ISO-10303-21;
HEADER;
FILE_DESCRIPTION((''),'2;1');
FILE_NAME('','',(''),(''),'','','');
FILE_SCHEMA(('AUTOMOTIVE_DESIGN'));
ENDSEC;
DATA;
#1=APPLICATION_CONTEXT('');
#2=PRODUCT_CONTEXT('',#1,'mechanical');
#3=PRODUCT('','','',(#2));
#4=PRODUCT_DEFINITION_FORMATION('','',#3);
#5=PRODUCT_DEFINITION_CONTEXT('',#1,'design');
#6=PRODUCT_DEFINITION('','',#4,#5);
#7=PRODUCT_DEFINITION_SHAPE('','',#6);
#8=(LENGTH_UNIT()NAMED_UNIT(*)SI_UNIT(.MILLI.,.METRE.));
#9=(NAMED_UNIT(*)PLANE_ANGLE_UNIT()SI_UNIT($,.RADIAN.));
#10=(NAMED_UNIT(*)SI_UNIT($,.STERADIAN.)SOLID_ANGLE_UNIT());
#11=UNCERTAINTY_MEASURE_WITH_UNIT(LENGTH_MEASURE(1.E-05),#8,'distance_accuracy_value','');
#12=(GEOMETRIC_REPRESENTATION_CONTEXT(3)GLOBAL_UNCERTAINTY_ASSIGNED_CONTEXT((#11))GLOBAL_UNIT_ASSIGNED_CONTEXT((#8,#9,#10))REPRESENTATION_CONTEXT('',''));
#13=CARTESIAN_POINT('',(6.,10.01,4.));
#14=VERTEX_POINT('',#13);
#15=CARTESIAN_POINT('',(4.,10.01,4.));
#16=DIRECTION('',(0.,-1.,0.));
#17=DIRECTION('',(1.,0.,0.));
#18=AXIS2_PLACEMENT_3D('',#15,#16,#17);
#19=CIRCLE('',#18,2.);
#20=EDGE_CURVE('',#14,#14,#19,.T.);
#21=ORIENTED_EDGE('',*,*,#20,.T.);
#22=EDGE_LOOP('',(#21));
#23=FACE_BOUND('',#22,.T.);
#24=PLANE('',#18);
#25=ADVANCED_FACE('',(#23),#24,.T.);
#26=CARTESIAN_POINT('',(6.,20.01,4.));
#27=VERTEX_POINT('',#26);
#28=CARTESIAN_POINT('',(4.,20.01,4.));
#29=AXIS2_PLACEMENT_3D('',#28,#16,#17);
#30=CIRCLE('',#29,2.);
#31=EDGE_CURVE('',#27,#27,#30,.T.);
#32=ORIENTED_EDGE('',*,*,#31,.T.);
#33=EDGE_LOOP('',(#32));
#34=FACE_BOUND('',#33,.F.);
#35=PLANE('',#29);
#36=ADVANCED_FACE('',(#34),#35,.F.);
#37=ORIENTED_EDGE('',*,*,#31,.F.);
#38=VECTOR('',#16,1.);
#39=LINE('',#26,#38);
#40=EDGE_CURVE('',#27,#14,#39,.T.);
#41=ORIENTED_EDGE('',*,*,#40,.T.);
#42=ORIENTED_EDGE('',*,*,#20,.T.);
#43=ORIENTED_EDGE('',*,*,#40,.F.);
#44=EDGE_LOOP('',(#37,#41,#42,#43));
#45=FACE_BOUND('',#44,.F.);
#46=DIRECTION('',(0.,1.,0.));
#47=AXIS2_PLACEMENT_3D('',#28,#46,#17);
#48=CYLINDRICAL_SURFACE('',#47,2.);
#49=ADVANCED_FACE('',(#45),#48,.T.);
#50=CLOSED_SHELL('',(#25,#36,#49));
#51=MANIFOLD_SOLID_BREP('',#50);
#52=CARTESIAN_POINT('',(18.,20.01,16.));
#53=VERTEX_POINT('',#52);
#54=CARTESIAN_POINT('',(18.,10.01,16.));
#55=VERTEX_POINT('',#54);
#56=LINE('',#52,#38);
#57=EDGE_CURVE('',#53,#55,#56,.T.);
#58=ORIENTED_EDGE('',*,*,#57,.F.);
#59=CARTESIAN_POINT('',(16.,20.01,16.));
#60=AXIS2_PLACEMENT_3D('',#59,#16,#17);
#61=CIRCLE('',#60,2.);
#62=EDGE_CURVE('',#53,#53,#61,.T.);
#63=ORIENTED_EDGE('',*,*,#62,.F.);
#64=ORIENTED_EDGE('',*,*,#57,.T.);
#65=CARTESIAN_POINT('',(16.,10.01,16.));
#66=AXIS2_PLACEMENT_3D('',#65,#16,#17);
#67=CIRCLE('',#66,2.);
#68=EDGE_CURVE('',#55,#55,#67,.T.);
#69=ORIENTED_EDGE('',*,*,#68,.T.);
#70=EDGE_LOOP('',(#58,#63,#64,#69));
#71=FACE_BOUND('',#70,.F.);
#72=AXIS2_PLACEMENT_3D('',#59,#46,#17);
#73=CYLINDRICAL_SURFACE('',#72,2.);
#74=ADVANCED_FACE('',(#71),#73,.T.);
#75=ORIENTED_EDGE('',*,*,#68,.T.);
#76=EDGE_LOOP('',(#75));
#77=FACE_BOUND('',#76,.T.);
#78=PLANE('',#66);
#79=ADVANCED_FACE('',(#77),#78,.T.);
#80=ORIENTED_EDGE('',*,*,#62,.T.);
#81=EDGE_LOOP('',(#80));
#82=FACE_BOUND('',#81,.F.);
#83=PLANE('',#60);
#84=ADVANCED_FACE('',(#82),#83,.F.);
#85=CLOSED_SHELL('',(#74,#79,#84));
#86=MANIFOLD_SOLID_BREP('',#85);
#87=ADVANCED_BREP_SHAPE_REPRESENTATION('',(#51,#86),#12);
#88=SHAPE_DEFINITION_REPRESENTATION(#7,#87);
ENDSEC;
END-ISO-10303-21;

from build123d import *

# Parameters (mm, degrees)
CYLINDER006_R     = 2
CYLINDER006_DEPTH = 10
CYLINDER005_R     = 2
CYLINDER005_DEPTH = 10


with BuildPart() as cilindre006:
    # Cylinder006 → Cylinder006 (new body)
    with BuildSketch(Plane(origin=(4, 20.01, 4), x_dir=(1, 0, 0), z_dir=(0, -1, 0))):
        Circle(CYLINDER006_R)
    extrude(amount=CYLINDER006_DEPTH)


with BuildPart() as fusion:
    # Cylinder005 → Cylinder005 (new body)
    with BuildSketch(Plane(origin=(16, 20.01, 16), x_dir=(1, 0, 0), z_dir=(0, -1, 0))):
        Circle(CYLINDER005_R)
    extrude(amount=CYLINDER005_DEPTH)

    # Fusion: union Cilindre006
    add(cilindre006.part)


solid = fusion.part
